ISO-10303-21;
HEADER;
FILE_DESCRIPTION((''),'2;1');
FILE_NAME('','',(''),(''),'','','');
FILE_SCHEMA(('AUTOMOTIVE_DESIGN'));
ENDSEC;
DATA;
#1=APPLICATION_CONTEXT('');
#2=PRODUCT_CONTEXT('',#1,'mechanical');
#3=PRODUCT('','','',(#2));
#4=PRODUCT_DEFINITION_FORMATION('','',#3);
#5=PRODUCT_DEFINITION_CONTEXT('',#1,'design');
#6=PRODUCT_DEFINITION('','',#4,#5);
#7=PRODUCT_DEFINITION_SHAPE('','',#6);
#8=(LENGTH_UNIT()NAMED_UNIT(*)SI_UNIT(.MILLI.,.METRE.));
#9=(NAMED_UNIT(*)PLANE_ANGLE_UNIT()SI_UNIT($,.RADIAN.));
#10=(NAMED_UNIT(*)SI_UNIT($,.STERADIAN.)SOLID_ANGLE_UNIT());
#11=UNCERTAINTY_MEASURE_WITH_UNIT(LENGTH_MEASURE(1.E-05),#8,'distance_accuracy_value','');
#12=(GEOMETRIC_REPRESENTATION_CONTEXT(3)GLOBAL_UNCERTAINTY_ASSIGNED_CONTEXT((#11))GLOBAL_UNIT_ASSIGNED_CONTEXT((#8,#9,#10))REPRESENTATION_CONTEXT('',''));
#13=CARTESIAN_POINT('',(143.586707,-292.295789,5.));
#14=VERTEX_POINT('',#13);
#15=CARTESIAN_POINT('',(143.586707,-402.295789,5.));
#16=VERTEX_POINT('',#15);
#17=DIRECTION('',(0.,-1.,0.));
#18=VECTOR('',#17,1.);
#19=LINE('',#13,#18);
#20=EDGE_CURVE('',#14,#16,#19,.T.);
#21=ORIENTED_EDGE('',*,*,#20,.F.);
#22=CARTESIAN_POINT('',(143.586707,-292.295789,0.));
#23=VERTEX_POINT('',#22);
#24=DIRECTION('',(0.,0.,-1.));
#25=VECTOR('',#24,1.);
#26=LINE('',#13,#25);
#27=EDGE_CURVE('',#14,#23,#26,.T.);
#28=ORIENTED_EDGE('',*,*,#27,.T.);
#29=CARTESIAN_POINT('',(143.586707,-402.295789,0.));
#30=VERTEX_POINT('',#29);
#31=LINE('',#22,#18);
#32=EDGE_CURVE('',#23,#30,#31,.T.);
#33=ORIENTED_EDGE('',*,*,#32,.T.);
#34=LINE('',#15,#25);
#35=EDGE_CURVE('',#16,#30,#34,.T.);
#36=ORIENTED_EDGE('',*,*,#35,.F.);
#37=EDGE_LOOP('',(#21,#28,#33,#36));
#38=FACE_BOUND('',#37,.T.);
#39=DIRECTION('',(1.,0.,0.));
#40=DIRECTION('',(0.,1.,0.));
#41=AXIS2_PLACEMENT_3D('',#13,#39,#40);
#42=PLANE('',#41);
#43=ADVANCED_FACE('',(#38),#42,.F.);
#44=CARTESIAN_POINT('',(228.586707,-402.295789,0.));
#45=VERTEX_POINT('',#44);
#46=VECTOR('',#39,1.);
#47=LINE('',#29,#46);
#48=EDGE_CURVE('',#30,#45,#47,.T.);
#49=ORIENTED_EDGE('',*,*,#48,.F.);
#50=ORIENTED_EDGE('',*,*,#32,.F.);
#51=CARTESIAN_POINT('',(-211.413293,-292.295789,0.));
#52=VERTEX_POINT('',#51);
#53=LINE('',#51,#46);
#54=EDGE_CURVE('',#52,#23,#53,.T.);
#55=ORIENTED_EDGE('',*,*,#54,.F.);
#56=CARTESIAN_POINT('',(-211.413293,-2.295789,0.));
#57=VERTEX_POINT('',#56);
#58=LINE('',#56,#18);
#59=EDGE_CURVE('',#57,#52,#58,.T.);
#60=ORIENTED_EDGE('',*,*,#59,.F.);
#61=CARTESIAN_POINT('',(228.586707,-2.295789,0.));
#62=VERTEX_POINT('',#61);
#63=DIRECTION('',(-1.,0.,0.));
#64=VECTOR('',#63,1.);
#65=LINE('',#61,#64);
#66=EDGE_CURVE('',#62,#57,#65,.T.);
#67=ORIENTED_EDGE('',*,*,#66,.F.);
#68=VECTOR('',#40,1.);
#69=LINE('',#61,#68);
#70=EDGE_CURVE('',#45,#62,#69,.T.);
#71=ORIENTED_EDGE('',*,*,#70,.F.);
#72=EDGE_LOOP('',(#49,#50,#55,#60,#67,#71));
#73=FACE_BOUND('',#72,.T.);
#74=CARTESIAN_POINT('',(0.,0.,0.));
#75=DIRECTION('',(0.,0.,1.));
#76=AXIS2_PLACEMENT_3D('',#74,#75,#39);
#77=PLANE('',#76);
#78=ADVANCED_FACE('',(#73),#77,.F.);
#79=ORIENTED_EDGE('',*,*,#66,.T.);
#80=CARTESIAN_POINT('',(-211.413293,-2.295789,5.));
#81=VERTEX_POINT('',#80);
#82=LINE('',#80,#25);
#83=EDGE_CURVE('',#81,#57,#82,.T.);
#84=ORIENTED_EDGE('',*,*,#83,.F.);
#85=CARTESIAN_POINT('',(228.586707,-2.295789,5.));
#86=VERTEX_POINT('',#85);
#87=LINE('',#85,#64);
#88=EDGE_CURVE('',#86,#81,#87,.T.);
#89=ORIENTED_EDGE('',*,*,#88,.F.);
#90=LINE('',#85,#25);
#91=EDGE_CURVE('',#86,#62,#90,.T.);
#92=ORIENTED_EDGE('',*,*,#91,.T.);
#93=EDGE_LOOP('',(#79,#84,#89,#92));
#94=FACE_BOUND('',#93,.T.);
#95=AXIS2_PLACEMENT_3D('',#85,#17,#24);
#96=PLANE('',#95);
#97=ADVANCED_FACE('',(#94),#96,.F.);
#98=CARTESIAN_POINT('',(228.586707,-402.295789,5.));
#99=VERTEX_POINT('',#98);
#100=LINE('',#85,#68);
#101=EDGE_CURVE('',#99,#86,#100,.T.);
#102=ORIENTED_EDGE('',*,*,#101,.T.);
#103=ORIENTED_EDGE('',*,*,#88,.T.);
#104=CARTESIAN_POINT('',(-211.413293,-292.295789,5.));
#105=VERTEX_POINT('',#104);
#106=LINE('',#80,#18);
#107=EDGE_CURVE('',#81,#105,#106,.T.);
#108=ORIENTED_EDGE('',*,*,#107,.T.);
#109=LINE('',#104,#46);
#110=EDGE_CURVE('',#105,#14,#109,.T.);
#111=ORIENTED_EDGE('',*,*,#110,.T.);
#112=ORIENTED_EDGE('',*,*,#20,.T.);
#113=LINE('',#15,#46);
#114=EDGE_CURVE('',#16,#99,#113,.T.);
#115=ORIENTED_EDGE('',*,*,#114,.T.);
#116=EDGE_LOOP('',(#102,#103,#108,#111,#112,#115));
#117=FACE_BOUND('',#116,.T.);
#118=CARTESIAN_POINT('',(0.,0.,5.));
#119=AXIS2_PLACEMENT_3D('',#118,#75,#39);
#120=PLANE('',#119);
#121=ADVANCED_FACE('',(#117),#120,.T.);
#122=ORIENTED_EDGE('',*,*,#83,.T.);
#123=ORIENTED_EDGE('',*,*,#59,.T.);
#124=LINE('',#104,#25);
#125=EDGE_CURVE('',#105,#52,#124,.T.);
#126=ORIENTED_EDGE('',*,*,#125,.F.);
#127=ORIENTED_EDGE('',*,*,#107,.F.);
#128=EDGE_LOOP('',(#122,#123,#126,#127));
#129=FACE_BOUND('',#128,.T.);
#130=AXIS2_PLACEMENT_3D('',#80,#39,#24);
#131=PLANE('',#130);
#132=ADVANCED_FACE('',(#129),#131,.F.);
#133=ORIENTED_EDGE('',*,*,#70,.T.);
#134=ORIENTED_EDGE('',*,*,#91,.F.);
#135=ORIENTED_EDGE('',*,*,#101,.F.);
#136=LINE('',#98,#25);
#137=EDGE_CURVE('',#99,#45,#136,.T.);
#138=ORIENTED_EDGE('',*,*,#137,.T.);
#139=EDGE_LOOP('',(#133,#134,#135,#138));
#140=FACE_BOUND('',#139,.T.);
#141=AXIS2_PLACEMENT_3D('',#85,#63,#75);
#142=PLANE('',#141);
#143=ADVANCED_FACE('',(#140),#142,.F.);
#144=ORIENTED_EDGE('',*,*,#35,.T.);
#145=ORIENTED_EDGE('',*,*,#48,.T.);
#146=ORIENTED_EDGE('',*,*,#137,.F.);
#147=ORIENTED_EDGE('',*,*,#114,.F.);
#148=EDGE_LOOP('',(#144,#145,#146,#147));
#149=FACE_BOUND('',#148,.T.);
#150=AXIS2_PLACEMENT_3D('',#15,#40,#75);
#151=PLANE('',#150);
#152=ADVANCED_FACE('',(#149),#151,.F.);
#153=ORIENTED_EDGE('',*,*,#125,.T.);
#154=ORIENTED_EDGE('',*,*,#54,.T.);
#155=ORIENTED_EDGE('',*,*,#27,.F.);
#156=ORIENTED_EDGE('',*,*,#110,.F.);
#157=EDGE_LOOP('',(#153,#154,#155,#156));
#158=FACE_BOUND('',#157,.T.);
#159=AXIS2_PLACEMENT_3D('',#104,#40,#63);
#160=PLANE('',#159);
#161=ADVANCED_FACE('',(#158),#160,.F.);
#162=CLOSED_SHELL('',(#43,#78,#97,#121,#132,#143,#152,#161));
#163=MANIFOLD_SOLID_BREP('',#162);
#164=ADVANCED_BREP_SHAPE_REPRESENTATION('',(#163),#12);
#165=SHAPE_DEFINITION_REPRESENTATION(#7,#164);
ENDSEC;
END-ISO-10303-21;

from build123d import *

# Parameters (mm, degrees)
SALIENTE_EXTRUIR1_DEPTH = 5


with BuildPart() as part:
    # Croquis1 → Saliente-Extruir1 (new body)
    with BuildSketch(Plane(origin=(0, 0, 0), x_dir=(-1, 0, 0), z_dir=(0, 0, 1))):
        Polygon((-143.586706802, 402.295789036), (-228.586706802, 402.295789036), (-228.586706802, 2.295789036), (211.413293198, 2.295789036), (211.413293198, 292.295789036), (-143.586706802, 292.295789036), align=None)
    extrude(amount=SALIENTE_EXTRUIR1_DEPTH)


solid = part.part
